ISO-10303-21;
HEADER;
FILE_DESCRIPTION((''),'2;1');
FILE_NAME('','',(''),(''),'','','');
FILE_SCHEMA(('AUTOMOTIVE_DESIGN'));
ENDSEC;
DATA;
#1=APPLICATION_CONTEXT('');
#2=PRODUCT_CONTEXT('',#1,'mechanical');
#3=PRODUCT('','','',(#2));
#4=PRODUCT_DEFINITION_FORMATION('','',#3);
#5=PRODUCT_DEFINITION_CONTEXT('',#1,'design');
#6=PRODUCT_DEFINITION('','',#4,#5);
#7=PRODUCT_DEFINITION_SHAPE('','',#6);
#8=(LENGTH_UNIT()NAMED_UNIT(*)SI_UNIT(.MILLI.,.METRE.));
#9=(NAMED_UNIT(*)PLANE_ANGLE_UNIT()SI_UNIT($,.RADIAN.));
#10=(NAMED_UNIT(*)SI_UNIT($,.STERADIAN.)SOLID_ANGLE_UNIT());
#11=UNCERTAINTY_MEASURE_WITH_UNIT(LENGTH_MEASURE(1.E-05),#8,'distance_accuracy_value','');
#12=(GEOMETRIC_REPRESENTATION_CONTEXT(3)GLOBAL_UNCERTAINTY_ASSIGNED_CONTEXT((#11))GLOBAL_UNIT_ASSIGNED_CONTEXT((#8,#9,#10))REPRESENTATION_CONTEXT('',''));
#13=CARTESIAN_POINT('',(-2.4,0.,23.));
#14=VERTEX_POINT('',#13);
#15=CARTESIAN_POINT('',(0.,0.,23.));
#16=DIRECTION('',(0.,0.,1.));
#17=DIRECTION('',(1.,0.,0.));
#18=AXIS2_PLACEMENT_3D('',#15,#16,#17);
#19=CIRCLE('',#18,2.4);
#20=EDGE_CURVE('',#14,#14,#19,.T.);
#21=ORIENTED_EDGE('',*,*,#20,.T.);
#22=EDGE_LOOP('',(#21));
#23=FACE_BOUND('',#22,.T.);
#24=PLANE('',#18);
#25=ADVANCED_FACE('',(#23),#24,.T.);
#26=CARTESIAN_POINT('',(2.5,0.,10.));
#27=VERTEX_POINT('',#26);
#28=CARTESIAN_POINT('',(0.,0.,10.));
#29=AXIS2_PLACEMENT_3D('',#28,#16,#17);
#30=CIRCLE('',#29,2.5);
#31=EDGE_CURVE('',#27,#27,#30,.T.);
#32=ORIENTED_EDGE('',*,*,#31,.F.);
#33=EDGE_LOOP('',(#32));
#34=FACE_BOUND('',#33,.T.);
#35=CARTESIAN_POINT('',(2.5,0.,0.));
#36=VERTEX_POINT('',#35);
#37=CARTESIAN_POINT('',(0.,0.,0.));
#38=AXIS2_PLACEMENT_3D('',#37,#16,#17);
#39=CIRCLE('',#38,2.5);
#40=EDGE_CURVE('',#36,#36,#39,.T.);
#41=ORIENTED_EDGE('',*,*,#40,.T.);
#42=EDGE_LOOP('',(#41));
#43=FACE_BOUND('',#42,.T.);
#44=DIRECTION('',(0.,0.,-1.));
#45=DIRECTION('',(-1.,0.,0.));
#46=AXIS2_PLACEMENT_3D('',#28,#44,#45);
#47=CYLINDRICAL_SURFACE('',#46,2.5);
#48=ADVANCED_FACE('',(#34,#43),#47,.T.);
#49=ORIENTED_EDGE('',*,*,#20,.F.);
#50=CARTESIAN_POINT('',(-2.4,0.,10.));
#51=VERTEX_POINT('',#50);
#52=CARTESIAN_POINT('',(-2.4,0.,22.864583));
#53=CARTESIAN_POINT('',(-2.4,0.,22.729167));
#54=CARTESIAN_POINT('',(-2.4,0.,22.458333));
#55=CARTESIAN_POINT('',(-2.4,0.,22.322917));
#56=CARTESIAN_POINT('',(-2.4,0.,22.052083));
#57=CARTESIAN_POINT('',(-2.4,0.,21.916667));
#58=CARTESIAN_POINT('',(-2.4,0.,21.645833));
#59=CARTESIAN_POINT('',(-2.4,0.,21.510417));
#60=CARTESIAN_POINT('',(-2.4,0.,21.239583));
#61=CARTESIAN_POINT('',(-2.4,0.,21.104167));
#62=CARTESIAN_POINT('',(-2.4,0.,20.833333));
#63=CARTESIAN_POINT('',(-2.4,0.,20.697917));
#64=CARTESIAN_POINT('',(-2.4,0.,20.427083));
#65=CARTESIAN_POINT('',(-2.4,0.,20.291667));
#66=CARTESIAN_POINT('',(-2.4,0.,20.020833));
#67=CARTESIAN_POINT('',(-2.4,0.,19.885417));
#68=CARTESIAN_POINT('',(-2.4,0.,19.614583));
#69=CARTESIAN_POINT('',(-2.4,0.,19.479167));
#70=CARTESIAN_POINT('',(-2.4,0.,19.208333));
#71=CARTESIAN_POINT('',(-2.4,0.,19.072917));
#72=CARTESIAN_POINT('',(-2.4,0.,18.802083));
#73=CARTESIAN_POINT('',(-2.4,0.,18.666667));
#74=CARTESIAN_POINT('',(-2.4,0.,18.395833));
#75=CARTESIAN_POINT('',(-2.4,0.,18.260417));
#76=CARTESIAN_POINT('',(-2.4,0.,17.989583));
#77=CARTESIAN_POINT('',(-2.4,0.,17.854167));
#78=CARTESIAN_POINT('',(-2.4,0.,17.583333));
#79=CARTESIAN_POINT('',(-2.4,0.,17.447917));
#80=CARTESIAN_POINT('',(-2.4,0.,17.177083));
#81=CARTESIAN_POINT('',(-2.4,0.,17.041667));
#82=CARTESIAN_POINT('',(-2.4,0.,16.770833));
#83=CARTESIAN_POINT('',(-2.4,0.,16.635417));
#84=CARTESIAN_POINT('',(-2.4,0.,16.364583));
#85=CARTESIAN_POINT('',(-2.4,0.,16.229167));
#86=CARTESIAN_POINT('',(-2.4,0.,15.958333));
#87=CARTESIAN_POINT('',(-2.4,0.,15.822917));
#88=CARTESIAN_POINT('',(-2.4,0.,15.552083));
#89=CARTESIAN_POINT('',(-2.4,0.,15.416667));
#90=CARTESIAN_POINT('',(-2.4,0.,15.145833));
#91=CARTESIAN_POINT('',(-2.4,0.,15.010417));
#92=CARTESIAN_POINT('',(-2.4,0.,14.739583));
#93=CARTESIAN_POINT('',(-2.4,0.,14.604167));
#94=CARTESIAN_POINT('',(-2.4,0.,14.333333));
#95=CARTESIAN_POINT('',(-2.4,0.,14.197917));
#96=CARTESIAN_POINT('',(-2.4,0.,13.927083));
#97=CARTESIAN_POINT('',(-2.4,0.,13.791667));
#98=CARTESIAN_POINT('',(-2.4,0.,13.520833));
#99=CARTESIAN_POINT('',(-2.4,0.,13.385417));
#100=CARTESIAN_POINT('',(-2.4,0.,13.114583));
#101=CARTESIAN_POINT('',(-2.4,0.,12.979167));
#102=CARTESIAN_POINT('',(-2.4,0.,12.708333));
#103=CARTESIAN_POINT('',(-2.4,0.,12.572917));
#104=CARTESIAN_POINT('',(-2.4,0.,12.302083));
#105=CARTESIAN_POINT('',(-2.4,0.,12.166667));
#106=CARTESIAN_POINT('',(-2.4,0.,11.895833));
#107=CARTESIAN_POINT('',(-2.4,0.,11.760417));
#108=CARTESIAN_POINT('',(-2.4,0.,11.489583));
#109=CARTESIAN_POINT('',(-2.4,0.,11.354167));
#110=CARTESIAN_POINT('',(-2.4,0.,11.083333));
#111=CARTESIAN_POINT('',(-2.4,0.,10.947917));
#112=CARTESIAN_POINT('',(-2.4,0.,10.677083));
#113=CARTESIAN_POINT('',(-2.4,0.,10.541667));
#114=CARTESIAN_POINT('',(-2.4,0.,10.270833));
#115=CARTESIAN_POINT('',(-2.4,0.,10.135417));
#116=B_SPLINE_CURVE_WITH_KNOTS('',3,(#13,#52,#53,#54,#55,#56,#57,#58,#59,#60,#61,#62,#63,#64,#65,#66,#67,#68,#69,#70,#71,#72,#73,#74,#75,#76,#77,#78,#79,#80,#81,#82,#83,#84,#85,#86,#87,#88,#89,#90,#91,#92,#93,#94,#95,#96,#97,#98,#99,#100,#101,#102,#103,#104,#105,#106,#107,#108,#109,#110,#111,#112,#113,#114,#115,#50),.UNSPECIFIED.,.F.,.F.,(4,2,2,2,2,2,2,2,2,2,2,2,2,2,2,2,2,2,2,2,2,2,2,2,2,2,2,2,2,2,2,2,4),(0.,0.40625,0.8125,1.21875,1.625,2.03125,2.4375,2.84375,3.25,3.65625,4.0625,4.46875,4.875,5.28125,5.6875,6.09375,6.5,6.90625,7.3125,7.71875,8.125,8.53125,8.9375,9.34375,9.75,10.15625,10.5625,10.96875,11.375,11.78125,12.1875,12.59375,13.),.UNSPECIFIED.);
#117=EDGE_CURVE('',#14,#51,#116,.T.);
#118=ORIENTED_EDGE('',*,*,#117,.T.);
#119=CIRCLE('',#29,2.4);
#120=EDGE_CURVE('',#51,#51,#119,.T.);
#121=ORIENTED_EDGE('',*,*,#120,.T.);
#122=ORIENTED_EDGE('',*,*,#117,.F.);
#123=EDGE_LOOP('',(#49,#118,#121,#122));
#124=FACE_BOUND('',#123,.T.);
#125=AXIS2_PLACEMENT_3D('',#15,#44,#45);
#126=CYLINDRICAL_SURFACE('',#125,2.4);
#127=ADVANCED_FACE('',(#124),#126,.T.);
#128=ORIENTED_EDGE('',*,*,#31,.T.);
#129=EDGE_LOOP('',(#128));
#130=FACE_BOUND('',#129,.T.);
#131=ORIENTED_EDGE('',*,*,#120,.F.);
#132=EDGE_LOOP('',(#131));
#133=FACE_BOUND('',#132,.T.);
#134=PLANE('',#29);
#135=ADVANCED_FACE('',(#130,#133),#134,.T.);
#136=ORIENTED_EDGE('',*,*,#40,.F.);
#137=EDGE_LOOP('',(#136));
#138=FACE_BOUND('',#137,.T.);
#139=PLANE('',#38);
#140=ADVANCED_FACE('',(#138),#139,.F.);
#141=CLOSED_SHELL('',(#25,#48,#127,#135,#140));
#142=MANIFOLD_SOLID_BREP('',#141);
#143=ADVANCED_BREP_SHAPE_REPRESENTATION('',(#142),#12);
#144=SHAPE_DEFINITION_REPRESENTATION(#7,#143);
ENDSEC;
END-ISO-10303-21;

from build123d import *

# Parameters (mm, degrees)
ESQUISSE1_R        = 2.5
BOSS_EXTRU_1_DEPTH = 10
ESQUISSE2_R        = 2.4
BOSS_EXTRU_2_DEPTH = 13


with BuildPart() as part:
    # Esquisse1 → Boss.-Extru.1 (new body)
    with BuildSketch(Plane.XY):
        Circle(ESQUISSE1_R)
    extrude(amount=BOSS_EXTRU_1_DEPTH)

    # Esquisse2 → Boss.-Extru.2 (add)
    with BuildSketch(Plane.XY.offset(10)):
        with Locations(Location((0, 0, 0), (0, 0, 180))):
            Circle(ESQUISSE2_R)
    extrude(amount=BOSS_EXTRU_2_DEPTH)


solid = part.part
